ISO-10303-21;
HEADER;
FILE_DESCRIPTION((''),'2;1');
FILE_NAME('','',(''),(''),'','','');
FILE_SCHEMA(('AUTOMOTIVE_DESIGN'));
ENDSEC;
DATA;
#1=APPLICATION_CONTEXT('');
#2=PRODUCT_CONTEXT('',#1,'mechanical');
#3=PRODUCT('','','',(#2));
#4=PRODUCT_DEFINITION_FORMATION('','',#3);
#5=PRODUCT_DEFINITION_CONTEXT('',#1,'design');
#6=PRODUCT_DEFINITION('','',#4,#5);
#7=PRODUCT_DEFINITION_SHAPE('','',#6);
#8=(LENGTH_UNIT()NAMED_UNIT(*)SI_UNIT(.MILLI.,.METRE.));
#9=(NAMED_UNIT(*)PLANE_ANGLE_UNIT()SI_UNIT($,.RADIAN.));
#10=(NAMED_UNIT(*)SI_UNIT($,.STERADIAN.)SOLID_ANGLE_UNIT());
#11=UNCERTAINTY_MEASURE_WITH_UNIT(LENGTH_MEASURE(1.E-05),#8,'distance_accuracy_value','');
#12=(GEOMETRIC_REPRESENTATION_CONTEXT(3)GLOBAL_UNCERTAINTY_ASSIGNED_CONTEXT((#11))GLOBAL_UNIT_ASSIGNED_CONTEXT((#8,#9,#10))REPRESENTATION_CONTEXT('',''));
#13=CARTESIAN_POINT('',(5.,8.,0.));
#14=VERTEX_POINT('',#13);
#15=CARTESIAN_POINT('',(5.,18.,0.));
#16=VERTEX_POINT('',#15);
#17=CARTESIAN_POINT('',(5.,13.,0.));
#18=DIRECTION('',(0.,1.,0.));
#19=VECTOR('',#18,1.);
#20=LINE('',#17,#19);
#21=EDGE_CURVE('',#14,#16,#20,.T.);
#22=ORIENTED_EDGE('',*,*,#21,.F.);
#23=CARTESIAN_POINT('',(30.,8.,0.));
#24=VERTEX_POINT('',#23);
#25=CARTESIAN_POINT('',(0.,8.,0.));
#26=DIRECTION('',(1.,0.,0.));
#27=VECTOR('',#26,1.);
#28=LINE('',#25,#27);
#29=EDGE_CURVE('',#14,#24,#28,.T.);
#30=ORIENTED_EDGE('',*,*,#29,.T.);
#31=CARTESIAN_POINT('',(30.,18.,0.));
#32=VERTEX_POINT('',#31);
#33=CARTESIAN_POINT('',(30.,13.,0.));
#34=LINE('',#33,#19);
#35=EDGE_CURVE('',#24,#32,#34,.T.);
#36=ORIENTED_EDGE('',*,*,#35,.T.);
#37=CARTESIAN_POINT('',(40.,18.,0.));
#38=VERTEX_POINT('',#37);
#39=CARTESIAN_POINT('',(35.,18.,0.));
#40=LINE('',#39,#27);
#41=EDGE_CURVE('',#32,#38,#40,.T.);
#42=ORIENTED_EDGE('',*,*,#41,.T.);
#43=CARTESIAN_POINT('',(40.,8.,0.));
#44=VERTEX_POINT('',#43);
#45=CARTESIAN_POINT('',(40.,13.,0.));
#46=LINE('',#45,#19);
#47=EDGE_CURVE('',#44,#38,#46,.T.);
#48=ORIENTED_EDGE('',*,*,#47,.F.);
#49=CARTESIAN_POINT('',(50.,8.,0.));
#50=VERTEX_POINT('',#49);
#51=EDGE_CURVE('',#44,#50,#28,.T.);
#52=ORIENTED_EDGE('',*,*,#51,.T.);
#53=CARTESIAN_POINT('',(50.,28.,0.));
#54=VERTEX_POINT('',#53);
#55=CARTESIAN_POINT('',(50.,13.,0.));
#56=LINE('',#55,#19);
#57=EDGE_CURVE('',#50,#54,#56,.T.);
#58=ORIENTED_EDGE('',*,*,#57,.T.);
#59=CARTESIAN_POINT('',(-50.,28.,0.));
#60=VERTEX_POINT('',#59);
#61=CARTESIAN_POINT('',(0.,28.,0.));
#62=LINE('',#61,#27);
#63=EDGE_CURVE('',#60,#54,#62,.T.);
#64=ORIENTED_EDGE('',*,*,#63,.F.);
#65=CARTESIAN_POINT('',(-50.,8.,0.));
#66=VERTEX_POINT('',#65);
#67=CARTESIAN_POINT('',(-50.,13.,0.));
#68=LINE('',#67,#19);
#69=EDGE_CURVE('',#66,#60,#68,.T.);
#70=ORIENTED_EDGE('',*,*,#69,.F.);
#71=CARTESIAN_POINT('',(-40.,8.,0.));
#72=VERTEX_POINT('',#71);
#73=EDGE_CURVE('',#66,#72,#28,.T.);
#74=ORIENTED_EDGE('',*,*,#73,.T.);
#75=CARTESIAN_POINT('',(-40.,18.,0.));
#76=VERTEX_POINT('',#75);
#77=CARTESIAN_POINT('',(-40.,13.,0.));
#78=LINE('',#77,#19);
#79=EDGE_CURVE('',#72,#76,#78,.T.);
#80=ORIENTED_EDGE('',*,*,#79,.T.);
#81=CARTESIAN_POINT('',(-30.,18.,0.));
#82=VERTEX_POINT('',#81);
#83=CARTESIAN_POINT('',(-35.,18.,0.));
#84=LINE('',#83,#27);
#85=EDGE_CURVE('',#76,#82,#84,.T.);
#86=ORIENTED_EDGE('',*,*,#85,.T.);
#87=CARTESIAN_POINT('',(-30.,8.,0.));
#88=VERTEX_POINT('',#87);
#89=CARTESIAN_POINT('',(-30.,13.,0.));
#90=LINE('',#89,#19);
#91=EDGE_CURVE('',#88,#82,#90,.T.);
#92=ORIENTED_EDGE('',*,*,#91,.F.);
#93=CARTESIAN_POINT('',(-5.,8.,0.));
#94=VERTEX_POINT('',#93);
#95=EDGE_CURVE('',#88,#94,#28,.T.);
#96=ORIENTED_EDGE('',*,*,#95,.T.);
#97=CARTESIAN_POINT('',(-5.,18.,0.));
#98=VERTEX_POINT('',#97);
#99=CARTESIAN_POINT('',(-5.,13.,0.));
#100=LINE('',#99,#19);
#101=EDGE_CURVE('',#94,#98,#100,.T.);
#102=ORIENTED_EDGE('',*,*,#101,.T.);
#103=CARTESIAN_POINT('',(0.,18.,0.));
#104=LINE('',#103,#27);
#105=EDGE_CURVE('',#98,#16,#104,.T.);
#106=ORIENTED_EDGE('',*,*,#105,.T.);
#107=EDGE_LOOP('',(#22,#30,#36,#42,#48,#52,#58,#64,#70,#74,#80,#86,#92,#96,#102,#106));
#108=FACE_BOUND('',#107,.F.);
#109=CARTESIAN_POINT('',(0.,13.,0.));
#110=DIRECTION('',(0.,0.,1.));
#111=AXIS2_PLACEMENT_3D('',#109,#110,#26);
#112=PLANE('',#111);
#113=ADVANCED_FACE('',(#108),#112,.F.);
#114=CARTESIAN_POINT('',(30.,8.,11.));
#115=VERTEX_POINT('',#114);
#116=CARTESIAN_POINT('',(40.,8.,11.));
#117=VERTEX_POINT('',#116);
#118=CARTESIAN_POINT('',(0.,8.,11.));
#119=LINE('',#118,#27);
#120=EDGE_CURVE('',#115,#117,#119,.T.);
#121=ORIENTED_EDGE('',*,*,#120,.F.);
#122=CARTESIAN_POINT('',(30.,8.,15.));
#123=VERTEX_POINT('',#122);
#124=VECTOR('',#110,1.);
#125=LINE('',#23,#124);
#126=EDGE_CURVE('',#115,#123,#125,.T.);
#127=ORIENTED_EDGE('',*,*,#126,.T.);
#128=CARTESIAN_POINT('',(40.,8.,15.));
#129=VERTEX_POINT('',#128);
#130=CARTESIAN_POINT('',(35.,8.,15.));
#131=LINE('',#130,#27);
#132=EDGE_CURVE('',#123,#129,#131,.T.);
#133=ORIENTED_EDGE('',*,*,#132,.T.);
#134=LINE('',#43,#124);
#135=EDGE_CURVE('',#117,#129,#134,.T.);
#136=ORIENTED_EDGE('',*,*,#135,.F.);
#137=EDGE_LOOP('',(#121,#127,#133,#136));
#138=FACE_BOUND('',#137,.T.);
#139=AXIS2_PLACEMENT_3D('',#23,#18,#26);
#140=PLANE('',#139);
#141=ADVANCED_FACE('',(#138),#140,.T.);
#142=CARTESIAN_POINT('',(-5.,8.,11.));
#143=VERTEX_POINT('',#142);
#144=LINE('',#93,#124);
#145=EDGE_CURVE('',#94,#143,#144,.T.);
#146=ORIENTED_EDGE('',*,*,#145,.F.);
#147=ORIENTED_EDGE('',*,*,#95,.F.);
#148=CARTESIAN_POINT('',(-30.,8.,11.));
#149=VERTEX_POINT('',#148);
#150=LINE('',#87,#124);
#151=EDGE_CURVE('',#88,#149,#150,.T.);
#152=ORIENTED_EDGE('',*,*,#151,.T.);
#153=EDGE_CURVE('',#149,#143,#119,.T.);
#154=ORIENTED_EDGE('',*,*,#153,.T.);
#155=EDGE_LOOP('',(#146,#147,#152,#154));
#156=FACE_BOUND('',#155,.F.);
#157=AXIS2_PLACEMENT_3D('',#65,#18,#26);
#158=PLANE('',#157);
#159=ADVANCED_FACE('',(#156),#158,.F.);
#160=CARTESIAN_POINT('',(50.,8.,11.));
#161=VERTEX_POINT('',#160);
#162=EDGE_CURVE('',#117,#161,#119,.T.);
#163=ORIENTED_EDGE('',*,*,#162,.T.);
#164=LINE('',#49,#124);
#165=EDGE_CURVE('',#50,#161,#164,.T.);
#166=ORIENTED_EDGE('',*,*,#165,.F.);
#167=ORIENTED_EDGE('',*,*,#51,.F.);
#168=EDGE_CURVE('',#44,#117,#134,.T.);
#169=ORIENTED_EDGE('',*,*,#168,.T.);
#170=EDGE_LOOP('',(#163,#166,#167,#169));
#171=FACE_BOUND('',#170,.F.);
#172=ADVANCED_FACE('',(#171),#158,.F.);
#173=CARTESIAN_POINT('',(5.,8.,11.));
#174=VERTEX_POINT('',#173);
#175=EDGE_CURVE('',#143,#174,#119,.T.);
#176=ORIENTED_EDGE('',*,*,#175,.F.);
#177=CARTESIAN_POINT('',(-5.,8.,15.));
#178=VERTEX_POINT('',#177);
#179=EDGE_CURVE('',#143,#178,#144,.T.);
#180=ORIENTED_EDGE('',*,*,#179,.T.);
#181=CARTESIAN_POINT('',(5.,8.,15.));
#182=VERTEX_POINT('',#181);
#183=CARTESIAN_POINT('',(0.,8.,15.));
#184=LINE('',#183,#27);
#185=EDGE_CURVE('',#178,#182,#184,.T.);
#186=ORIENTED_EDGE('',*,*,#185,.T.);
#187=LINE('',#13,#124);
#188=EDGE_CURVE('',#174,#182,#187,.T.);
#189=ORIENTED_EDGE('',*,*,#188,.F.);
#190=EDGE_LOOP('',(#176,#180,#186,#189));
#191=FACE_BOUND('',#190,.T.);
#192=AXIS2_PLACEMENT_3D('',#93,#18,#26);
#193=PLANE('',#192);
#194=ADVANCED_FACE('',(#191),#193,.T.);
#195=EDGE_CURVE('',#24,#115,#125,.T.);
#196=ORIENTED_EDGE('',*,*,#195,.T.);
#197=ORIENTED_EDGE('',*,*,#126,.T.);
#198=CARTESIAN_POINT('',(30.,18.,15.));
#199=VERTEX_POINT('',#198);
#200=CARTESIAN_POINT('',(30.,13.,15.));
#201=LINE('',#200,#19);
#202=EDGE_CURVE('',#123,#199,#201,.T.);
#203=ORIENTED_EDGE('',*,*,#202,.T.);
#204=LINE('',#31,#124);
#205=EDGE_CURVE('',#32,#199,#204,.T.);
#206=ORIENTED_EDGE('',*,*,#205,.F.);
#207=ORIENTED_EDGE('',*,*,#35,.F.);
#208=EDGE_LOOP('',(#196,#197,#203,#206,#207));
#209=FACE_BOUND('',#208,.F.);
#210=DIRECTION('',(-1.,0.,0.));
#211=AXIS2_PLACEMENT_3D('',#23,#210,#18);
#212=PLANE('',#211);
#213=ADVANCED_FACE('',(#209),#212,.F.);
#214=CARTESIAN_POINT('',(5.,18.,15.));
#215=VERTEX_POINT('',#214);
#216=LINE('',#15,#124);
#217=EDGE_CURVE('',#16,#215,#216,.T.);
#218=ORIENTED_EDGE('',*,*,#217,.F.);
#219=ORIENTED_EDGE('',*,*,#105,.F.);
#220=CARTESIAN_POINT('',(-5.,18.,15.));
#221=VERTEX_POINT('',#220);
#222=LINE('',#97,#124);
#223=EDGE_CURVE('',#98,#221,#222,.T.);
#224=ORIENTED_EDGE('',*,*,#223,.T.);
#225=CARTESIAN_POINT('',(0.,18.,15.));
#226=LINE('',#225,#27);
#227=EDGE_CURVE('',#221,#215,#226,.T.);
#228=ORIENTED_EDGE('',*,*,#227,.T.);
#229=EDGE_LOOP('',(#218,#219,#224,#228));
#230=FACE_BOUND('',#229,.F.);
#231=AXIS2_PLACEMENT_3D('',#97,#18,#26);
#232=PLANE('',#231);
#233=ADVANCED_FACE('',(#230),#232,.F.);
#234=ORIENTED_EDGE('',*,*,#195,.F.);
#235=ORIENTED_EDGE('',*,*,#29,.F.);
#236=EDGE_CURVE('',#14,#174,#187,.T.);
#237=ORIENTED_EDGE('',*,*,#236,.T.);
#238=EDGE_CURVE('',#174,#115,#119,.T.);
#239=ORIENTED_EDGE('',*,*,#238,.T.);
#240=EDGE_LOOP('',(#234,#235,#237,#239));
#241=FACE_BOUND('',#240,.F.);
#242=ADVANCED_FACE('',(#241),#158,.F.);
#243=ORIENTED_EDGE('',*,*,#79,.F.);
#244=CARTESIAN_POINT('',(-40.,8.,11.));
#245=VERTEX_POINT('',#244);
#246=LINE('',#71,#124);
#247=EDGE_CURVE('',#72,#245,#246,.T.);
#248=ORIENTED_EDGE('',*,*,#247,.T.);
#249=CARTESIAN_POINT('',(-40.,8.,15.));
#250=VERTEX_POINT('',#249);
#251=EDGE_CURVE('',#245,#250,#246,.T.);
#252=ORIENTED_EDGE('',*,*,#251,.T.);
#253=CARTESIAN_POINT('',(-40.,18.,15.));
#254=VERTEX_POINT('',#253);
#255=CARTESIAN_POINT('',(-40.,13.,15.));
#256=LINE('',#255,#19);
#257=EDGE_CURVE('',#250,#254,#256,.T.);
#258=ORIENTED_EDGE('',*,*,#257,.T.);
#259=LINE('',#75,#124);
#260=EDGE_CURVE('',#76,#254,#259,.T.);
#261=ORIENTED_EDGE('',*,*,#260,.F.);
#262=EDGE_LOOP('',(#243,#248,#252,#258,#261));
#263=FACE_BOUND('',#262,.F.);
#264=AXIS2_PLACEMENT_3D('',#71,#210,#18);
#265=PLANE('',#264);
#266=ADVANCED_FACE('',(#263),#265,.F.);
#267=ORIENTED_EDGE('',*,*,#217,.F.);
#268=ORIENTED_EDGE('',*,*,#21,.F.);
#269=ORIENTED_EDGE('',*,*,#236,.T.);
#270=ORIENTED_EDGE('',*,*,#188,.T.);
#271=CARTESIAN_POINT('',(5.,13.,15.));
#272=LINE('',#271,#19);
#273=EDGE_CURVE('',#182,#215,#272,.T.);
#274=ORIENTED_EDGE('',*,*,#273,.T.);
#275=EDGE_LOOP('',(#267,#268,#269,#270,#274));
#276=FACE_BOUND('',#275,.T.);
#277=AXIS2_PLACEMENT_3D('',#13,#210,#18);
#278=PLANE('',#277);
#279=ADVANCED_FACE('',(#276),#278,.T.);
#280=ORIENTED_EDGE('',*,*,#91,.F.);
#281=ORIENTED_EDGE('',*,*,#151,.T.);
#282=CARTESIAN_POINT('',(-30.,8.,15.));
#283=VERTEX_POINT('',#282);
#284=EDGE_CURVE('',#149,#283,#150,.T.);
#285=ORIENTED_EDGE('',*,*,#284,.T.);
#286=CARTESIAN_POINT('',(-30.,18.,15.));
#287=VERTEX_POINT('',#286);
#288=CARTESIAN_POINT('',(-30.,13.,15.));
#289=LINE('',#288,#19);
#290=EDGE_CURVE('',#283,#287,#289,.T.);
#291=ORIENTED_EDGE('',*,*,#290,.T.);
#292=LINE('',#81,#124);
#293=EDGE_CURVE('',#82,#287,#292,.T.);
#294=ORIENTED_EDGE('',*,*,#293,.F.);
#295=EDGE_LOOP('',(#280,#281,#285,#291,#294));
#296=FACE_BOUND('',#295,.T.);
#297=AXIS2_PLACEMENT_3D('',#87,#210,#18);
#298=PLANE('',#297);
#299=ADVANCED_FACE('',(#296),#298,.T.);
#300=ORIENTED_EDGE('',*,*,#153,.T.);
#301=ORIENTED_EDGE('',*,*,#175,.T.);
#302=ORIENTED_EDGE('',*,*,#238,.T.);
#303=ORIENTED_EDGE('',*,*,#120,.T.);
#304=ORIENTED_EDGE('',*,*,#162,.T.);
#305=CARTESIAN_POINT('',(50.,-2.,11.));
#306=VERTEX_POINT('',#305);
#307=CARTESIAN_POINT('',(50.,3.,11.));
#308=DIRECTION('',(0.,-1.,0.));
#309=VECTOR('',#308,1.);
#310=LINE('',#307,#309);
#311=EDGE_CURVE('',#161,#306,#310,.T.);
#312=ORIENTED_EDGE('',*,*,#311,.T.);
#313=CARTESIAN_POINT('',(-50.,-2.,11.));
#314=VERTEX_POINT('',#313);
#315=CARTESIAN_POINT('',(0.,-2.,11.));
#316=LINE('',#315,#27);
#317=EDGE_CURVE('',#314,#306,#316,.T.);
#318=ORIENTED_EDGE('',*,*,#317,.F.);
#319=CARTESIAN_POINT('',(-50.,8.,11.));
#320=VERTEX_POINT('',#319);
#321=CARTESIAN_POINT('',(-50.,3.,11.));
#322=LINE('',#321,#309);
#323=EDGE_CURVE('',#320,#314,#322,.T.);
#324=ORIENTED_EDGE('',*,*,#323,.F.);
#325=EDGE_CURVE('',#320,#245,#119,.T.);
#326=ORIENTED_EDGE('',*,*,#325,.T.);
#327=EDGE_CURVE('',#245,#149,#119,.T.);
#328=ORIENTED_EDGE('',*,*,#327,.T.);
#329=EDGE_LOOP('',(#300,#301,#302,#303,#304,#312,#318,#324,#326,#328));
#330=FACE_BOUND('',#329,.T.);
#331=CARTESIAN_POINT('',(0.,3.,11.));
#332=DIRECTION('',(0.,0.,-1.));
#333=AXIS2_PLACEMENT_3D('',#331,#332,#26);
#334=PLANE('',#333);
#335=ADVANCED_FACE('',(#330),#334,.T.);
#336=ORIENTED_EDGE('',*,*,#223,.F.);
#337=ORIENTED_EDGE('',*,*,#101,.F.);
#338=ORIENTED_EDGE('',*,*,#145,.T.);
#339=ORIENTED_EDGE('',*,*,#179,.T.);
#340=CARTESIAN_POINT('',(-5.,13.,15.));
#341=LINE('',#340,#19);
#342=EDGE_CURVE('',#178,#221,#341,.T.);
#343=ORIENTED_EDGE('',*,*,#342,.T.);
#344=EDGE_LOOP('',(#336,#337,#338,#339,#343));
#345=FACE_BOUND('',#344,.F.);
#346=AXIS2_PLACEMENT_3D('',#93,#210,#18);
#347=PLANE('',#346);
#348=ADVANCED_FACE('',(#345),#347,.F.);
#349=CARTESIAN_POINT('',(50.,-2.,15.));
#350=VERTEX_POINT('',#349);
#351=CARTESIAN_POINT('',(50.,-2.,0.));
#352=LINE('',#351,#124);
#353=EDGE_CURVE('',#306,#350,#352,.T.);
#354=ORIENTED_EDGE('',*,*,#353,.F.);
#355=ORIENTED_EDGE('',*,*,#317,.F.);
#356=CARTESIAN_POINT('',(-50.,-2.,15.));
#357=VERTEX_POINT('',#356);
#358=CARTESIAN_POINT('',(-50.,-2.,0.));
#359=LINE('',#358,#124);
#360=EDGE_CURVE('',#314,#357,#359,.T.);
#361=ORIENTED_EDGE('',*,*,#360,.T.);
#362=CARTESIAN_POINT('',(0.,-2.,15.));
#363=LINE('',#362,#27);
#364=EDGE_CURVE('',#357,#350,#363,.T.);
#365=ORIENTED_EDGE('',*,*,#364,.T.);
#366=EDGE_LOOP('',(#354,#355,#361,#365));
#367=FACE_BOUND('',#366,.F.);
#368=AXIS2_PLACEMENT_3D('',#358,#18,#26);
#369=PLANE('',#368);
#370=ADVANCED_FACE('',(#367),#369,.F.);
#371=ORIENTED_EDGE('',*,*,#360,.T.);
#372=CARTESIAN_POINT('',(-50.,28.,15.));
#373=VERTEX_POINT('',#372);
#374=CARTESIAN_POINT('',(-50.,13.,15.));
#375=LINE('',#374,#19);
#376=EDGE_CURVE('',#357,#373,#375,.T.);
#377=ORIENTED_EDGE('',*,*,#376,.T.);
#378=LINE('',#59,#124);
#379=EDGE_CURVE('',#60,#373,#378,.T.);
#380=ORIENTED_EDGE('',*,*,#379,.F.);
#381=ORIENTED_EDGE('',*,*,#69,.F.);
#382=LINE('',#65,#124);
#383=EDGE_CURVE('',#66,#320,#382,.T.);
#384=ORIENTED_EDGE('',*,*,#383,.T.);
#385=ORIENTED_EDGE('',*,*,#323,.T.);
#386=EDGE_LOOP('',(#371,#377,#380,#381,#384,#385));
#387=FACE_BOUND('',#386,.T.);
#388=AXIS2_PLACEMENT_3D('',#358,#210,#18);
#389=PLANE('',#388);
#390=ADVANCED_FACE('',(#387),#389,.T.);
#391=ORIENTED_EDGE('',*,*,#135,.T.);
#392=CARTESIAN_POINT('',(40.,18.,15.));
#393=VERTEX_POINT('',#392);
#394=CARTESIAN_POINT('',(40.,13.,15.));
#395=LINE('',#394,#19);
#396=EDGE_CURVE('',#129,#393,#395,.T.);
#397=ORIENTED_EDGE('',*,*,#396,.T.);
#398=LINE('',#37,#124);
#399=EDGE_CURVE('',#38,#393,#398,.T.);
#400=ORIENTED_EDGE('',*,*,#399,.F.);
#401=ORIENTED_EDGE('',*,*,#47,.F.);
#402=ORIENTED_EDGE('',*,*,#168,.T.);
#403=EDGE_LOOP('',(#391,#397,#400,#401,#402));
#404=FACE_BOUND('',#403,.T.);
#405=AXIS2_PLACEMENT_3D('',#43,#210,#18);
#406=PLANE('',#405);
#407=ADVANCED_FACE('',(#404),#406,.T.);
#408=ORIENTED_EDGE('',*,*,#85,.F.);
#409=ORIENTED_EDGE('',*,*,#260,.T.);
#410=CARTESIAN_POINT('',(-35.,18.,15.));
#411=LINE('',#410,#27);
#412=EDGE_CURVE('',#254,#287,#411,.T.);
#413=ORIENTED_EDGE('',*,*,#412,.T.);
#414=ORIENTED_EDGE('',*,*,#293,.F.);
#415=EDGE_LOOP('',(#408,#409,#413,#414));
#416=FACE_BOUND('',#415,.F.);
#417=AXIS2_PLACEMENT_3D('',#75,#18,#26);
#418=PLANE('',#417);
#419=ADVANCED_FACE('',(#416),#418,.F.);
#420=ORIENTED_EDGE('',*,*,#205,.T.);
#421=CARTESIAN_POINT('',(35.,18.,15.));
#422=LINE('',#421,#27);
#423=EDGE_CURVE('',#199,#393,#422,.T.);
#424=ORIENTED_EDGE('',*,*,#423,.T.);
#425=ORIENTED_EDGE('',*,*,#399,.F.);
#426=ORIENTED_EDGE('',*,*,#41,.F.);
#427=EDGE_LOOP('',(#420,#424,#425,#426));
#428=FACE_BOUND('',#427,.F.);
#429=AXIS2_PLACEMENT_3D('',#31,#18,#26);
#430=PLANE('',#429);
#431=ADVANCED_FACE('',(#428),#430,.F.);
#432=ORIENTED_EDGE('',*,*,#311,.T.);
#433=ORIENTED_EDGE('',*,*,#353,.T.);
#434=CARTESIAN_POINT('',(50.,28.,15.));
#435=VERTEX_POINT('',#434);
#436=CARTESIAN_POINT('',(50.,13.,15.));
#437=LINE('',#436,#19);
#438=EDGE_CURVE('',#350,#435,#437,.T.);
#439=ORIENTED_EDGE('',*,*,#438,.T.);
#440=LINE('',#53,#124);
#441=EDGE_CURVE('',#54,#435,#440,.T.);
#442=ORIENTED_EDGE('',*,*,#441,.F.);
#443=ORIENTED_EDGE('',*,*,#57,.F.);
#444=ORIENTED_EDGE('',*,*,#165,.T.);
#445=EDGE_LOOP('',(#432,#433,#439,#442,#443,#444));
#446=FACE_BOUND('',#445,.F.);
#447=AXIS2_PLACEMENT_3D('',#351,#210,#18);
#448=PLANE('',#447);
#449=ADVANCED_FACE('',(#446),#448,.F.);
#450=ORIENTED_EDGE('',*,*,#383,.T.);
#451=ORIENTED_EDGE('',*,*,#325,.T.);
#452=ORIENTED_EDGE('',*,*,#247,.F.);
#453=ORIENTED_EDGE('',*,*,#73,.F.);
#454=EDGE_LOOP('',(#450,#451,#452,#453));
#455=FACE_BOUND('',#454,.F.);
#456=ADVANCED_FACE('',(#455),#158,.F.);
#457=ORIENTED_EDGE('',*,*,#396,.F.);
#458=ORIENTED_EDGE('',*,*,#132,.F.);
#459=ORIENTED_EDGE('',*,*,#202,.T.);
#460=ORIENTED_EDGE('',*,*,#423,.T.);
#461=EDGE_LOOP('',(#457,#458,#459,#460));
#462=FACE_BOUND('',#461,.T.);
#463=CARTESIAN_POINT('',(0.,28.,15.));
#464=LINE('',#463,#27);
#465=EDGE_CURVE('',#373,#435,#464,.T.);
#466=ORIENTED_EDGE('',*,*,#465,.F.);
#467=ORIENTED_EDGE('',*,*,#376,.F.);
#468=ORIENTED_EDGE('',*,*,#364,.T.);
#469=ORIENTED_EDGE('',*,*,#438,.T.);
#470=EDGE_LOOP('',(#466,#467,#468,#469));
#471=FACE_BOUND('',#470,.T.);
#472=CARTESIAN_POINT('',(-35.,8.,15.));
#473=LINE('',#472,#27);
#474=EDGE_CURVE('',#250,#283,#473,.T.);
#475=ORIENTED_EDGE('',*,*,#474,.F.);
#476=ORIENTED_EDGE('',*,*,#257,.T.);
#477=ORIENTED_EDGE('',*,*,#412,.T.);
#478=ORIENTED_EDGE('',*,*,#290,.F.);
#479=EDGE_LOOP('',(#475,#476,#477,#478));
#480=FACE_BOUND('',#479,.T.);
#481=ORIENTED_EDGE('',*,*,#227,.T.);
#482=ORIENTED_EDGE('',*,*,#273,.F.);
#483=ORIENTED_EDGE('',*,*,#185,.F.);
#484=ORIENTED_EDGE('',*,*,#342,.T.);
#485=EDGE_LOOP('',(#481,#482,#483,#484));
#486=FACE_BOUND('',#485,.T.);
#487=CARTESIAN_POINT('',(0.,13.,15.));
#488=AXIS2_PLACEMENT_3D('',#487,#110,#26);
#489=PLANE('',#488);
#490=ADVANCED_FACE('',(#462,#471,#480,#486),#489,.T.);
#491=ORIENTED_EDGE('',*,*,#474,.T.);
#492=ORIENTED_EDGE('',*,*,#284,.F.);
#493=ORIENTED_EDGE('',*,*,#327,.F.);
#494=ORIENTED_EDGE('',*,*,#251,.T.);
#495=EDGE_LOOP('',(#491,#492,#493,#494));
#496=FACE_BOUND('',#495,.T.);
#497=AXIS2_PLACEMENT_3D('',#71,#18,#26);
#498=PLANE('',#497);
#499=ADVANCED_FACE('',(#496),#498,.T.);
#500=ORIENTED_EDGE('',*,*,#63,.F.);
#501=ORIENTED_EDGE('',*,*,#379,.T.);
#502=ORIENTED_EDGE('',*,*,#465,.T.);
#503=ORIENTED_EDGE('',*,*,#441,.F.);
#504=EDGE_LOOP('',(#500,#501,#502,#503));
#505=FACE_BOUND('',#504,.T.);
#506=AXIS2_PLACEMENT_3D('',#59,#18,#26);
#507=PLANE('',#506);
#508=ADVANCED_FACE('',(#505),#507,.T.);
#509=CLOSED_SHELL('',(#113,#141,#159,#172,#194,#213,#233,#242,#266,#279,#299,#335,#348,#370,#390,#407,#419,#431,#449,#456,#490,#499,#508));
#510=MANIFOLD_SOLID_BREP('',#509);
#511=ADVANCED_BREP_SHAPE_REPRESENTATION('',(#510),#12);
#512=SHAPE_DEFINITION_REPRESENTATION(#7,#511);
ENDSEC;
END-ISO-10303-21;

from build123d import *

# Parameters (mm, degrees)
SKETCH_W     = 100
SKETCH_H     = 30
SKETCH_W_2   = 10
SKETCH_H_2   = 10
PAD_DEPTH    = 15
SKETCH001_W  = 100
SKETCH001_H  = 10
POCKET_DEPTH = 11


with BuildPart() as part:
    # Sketch → Pad (new body)
    with BuildSketch(Plane.XY):
        with Locations((0, 13)):
            Rectangle(SKETCH_W, SKETCH_H)
        with Locations((35, 13)):
            Rectangle(SKETCH_W_2, SKETCH_H_2, mode=Mode.SUBTRACT)
        with Locations((-35, 13)):
            Rectangle(SKETCH_W_2, SKETCH_H_2, mode=Mode.SUBTRACT)
        with Locations((0, 13)):
            Rectangle(SKETCH_W_2, SKETCH_H_2, mode=Mode.SUBTRACT)
    extrude(amount=PAD_DEPTH)

    # Sketch001 (on Face17 of Pad) → Pocket (cut)
    with BuildSketch(Plane(origin=(0, 0, 0), x_dir=(1, 0, 0), z_dir=(0, 0, -1))):
        with Locations((0, -3)):
            Rectangle(SKETCH001_W, SKETCH001_H)
    extrude(amount=-POCKET_DEPTH, mode=Mode.SUBTRACT)


solid = part.part
